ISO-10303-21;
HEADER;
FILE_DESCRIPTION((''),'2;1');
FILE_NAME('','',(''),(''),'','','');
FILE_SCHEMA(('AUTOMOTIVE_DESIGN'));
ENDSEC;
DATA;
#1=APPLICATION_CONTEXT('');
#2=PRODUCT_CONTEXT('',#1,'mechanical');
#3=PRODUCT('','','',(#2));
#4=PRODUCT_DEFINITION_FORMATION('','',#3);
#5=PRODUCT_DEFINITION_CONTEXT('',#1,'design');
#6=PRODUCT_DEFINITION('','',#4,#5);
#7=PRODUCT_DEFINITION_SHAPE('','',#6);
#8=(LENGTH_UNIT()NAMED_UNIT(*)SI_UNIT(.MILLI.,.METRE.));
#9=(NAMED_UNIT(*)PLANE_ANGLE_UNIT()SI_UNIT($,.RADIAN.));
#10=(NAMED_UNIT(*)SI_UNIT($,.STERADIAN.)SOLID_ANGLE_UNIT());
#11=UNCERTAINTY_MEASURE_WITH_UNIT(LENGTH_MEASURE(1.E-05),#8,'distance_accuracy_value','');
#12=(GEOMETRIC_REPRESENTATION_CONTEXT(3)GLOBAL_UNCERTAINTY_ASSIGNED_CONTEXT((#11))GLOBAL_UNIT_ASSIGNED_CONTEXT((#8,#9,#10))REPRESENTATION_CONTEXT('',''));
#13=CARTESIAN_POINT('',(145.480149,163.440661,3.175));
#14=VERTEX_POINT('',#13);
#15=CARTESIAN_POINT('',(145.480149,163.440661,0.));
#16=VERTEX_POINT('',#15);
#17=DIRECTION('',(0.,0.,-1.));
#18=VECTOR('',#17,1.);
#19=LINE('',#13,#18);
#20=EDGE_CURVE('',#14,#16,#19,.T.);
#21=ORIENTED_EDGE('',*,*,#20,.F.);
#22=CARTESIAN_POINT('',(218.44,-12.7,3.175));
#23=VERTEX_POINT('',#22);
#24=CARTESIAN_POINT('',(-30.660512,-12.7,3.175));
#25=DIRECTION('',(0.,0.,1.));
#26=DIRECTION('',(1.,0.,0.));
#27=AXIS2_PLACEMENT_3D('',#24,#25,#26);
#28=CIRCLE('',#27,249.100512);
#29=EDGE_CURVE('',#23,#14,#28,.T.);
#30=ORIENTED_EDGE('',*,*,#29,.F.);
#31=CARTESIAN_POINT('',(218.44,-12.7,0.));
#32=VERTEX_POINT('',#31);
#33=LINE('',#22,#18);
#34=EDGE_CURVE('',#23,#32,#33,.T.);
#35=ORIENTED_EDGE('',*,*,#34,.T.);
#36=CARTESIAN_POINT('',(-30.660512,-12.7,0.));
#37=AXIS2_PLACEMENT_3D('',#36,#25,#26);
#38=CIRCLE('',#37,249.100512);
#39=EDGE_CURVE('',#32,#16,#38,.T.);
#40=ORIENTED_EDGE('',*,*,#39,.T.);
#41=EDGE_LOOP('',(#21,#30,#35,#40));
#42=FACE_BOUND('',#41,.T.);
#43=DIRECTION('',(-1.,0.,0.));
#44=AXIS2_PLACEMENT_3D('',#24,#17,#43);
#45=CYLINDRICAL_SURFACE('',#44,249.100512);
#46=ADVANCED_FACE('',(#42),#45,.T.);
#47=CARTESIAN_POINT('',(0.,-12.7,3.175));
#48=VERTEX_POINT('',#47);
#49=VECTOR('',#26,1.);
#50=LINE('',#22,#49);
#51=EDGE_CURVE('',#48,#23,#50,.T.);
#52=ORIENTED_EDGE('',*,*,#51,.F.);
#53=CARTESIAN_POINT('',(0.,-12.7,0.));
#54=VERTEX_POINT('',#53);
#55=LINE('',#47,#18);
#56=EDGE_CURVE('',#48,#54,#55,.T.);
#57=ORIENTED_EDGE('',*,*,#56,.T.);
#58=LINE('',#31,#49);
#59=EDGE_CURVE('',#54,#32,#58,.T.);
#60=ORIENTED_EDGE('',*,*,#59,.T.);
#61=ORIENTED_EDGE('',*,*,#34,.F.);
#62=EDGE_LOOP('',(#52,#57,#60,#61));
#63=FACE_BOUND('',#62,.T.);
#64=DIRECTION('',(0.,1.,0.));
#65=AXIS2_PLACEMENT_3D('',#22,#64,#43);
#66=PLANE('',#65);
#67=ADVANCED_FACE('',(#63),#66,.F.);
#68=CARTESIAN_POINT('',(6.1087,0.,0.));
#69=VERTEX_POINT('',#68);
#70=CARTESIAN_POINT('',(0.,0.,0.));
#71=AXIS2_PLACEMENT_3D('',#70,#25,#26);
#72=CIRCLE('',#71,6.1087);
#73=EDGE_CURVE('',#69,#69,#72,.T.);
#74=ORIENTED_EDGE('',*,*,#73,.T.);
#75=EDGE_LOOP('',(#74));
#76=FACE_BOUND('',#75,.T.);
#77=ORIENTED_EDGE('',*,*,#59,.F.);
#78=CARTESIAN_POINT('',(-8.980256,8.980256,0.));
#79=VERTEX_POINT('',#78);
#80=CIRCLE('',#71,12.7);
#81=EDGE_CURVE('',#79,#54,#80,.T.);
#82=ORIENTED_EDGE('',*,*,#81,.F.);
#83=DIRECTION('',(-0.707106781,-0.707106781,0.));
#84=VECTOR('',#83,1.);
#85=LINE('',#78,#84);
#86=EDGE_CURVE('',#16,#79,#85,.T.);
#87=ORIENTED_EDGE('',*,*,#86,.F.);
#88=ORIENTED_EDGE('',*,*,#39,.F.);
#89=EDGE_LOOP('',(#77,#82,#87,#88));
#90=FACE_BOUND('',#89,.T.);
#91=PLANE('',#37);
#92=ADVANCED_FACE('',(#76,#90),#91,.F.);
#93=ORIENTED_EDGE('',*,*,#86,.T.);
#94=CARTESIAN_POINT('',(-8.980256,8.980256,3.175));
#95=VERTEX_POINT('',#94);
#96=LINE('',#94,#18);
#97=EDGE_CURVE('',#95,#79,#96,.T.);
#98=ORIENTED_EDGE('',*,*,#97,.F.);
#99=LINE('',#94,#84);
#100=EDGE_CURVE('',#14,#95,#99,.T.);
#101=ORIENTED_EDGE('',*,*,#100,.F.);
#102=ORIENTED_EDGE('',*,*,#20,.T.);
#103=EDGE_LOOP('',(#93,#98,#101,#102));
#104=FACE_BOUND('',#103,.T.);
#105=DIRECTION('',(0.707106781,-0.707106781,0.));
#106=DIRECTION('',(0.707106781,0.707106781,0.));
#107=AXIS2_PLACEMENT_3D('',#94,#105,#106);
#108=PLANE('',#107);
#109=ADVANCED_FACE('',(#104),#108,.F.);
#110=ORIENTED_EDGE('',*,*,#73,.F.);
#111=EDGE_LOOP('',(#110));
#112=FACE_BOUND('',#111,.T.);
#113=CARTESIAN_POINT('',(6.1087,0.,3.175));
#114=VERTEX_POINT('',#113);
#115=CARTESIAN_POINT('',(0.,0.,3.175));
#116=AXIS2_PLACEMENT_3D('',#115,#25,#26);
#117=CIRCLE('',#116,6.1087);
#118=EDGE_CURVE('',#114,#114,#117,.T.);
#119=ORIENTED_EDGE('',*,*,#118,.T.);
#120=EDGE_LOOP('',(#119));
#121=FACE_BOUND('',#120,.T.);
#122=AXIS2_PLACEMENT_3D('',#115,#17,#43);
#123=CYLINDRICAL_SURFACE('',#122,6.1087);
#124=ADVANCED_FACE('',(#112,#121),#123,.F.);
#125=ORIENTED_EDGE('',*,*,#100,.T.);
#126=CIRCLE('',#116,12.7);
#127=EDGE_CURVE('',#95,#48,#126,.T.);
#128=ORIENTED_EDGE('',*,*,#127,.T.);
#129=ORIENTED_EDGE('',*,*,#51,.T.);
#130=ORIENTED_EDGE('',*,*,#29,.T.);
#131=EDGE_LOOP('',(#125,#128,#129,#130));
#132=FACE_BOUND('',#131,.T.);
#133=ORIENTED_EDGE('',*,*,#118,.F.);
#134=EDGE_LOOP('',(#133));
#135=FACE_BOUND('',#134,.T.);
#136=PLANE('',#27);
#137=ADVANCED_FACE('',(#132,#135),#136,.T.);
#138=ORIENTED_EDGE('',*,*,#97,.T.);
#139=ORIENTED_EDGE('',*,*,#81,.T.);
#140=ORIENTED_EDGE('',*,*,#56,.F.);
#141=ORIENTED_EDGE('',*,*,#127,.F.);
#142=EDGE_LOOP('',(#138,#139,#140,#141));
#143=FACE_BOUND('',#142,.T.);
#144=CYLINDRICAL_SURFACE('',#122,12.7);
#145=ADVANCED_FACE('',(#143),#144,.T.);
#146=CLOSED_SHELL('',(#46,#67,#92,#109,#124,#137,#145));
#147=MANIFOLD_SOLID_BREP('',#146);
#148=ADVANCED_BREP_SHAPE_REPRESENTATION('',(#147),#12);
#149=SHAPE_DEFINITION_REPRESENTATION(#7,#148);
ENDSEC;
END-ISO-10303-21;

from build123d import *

# Parameters (mm, degrees)
SKETCH2_R           = 6.1087
BOSS_EXTRUDE1_DEPTH = 3.175


with BuildPart() as part:
    # Sketch2 → Boss-Extrude1 (new body)
    with BuildSketch(Plane.XY):
        with BuildLine():
            Line((-8.980256121, 8.980256121), (145.480149161, 163.440661403))
            ThreePointArc((145.480149161, 163.440661403), (199.478352556, 82.626639029), (218.44, -12.7))
            Line((218.44, -12.7), (0, -12.7))
            ThreePointArc((0, -12.7), (-11.733270063, -4.860079591), (-8.980256121, 8.980256121))
        make_face()
        Circle(SKETCH2_R, mode=Mode.SUBTRACT)
    extrude(amount=BOSS_EXTRUDE1_DEPTH)


solid = part.part
